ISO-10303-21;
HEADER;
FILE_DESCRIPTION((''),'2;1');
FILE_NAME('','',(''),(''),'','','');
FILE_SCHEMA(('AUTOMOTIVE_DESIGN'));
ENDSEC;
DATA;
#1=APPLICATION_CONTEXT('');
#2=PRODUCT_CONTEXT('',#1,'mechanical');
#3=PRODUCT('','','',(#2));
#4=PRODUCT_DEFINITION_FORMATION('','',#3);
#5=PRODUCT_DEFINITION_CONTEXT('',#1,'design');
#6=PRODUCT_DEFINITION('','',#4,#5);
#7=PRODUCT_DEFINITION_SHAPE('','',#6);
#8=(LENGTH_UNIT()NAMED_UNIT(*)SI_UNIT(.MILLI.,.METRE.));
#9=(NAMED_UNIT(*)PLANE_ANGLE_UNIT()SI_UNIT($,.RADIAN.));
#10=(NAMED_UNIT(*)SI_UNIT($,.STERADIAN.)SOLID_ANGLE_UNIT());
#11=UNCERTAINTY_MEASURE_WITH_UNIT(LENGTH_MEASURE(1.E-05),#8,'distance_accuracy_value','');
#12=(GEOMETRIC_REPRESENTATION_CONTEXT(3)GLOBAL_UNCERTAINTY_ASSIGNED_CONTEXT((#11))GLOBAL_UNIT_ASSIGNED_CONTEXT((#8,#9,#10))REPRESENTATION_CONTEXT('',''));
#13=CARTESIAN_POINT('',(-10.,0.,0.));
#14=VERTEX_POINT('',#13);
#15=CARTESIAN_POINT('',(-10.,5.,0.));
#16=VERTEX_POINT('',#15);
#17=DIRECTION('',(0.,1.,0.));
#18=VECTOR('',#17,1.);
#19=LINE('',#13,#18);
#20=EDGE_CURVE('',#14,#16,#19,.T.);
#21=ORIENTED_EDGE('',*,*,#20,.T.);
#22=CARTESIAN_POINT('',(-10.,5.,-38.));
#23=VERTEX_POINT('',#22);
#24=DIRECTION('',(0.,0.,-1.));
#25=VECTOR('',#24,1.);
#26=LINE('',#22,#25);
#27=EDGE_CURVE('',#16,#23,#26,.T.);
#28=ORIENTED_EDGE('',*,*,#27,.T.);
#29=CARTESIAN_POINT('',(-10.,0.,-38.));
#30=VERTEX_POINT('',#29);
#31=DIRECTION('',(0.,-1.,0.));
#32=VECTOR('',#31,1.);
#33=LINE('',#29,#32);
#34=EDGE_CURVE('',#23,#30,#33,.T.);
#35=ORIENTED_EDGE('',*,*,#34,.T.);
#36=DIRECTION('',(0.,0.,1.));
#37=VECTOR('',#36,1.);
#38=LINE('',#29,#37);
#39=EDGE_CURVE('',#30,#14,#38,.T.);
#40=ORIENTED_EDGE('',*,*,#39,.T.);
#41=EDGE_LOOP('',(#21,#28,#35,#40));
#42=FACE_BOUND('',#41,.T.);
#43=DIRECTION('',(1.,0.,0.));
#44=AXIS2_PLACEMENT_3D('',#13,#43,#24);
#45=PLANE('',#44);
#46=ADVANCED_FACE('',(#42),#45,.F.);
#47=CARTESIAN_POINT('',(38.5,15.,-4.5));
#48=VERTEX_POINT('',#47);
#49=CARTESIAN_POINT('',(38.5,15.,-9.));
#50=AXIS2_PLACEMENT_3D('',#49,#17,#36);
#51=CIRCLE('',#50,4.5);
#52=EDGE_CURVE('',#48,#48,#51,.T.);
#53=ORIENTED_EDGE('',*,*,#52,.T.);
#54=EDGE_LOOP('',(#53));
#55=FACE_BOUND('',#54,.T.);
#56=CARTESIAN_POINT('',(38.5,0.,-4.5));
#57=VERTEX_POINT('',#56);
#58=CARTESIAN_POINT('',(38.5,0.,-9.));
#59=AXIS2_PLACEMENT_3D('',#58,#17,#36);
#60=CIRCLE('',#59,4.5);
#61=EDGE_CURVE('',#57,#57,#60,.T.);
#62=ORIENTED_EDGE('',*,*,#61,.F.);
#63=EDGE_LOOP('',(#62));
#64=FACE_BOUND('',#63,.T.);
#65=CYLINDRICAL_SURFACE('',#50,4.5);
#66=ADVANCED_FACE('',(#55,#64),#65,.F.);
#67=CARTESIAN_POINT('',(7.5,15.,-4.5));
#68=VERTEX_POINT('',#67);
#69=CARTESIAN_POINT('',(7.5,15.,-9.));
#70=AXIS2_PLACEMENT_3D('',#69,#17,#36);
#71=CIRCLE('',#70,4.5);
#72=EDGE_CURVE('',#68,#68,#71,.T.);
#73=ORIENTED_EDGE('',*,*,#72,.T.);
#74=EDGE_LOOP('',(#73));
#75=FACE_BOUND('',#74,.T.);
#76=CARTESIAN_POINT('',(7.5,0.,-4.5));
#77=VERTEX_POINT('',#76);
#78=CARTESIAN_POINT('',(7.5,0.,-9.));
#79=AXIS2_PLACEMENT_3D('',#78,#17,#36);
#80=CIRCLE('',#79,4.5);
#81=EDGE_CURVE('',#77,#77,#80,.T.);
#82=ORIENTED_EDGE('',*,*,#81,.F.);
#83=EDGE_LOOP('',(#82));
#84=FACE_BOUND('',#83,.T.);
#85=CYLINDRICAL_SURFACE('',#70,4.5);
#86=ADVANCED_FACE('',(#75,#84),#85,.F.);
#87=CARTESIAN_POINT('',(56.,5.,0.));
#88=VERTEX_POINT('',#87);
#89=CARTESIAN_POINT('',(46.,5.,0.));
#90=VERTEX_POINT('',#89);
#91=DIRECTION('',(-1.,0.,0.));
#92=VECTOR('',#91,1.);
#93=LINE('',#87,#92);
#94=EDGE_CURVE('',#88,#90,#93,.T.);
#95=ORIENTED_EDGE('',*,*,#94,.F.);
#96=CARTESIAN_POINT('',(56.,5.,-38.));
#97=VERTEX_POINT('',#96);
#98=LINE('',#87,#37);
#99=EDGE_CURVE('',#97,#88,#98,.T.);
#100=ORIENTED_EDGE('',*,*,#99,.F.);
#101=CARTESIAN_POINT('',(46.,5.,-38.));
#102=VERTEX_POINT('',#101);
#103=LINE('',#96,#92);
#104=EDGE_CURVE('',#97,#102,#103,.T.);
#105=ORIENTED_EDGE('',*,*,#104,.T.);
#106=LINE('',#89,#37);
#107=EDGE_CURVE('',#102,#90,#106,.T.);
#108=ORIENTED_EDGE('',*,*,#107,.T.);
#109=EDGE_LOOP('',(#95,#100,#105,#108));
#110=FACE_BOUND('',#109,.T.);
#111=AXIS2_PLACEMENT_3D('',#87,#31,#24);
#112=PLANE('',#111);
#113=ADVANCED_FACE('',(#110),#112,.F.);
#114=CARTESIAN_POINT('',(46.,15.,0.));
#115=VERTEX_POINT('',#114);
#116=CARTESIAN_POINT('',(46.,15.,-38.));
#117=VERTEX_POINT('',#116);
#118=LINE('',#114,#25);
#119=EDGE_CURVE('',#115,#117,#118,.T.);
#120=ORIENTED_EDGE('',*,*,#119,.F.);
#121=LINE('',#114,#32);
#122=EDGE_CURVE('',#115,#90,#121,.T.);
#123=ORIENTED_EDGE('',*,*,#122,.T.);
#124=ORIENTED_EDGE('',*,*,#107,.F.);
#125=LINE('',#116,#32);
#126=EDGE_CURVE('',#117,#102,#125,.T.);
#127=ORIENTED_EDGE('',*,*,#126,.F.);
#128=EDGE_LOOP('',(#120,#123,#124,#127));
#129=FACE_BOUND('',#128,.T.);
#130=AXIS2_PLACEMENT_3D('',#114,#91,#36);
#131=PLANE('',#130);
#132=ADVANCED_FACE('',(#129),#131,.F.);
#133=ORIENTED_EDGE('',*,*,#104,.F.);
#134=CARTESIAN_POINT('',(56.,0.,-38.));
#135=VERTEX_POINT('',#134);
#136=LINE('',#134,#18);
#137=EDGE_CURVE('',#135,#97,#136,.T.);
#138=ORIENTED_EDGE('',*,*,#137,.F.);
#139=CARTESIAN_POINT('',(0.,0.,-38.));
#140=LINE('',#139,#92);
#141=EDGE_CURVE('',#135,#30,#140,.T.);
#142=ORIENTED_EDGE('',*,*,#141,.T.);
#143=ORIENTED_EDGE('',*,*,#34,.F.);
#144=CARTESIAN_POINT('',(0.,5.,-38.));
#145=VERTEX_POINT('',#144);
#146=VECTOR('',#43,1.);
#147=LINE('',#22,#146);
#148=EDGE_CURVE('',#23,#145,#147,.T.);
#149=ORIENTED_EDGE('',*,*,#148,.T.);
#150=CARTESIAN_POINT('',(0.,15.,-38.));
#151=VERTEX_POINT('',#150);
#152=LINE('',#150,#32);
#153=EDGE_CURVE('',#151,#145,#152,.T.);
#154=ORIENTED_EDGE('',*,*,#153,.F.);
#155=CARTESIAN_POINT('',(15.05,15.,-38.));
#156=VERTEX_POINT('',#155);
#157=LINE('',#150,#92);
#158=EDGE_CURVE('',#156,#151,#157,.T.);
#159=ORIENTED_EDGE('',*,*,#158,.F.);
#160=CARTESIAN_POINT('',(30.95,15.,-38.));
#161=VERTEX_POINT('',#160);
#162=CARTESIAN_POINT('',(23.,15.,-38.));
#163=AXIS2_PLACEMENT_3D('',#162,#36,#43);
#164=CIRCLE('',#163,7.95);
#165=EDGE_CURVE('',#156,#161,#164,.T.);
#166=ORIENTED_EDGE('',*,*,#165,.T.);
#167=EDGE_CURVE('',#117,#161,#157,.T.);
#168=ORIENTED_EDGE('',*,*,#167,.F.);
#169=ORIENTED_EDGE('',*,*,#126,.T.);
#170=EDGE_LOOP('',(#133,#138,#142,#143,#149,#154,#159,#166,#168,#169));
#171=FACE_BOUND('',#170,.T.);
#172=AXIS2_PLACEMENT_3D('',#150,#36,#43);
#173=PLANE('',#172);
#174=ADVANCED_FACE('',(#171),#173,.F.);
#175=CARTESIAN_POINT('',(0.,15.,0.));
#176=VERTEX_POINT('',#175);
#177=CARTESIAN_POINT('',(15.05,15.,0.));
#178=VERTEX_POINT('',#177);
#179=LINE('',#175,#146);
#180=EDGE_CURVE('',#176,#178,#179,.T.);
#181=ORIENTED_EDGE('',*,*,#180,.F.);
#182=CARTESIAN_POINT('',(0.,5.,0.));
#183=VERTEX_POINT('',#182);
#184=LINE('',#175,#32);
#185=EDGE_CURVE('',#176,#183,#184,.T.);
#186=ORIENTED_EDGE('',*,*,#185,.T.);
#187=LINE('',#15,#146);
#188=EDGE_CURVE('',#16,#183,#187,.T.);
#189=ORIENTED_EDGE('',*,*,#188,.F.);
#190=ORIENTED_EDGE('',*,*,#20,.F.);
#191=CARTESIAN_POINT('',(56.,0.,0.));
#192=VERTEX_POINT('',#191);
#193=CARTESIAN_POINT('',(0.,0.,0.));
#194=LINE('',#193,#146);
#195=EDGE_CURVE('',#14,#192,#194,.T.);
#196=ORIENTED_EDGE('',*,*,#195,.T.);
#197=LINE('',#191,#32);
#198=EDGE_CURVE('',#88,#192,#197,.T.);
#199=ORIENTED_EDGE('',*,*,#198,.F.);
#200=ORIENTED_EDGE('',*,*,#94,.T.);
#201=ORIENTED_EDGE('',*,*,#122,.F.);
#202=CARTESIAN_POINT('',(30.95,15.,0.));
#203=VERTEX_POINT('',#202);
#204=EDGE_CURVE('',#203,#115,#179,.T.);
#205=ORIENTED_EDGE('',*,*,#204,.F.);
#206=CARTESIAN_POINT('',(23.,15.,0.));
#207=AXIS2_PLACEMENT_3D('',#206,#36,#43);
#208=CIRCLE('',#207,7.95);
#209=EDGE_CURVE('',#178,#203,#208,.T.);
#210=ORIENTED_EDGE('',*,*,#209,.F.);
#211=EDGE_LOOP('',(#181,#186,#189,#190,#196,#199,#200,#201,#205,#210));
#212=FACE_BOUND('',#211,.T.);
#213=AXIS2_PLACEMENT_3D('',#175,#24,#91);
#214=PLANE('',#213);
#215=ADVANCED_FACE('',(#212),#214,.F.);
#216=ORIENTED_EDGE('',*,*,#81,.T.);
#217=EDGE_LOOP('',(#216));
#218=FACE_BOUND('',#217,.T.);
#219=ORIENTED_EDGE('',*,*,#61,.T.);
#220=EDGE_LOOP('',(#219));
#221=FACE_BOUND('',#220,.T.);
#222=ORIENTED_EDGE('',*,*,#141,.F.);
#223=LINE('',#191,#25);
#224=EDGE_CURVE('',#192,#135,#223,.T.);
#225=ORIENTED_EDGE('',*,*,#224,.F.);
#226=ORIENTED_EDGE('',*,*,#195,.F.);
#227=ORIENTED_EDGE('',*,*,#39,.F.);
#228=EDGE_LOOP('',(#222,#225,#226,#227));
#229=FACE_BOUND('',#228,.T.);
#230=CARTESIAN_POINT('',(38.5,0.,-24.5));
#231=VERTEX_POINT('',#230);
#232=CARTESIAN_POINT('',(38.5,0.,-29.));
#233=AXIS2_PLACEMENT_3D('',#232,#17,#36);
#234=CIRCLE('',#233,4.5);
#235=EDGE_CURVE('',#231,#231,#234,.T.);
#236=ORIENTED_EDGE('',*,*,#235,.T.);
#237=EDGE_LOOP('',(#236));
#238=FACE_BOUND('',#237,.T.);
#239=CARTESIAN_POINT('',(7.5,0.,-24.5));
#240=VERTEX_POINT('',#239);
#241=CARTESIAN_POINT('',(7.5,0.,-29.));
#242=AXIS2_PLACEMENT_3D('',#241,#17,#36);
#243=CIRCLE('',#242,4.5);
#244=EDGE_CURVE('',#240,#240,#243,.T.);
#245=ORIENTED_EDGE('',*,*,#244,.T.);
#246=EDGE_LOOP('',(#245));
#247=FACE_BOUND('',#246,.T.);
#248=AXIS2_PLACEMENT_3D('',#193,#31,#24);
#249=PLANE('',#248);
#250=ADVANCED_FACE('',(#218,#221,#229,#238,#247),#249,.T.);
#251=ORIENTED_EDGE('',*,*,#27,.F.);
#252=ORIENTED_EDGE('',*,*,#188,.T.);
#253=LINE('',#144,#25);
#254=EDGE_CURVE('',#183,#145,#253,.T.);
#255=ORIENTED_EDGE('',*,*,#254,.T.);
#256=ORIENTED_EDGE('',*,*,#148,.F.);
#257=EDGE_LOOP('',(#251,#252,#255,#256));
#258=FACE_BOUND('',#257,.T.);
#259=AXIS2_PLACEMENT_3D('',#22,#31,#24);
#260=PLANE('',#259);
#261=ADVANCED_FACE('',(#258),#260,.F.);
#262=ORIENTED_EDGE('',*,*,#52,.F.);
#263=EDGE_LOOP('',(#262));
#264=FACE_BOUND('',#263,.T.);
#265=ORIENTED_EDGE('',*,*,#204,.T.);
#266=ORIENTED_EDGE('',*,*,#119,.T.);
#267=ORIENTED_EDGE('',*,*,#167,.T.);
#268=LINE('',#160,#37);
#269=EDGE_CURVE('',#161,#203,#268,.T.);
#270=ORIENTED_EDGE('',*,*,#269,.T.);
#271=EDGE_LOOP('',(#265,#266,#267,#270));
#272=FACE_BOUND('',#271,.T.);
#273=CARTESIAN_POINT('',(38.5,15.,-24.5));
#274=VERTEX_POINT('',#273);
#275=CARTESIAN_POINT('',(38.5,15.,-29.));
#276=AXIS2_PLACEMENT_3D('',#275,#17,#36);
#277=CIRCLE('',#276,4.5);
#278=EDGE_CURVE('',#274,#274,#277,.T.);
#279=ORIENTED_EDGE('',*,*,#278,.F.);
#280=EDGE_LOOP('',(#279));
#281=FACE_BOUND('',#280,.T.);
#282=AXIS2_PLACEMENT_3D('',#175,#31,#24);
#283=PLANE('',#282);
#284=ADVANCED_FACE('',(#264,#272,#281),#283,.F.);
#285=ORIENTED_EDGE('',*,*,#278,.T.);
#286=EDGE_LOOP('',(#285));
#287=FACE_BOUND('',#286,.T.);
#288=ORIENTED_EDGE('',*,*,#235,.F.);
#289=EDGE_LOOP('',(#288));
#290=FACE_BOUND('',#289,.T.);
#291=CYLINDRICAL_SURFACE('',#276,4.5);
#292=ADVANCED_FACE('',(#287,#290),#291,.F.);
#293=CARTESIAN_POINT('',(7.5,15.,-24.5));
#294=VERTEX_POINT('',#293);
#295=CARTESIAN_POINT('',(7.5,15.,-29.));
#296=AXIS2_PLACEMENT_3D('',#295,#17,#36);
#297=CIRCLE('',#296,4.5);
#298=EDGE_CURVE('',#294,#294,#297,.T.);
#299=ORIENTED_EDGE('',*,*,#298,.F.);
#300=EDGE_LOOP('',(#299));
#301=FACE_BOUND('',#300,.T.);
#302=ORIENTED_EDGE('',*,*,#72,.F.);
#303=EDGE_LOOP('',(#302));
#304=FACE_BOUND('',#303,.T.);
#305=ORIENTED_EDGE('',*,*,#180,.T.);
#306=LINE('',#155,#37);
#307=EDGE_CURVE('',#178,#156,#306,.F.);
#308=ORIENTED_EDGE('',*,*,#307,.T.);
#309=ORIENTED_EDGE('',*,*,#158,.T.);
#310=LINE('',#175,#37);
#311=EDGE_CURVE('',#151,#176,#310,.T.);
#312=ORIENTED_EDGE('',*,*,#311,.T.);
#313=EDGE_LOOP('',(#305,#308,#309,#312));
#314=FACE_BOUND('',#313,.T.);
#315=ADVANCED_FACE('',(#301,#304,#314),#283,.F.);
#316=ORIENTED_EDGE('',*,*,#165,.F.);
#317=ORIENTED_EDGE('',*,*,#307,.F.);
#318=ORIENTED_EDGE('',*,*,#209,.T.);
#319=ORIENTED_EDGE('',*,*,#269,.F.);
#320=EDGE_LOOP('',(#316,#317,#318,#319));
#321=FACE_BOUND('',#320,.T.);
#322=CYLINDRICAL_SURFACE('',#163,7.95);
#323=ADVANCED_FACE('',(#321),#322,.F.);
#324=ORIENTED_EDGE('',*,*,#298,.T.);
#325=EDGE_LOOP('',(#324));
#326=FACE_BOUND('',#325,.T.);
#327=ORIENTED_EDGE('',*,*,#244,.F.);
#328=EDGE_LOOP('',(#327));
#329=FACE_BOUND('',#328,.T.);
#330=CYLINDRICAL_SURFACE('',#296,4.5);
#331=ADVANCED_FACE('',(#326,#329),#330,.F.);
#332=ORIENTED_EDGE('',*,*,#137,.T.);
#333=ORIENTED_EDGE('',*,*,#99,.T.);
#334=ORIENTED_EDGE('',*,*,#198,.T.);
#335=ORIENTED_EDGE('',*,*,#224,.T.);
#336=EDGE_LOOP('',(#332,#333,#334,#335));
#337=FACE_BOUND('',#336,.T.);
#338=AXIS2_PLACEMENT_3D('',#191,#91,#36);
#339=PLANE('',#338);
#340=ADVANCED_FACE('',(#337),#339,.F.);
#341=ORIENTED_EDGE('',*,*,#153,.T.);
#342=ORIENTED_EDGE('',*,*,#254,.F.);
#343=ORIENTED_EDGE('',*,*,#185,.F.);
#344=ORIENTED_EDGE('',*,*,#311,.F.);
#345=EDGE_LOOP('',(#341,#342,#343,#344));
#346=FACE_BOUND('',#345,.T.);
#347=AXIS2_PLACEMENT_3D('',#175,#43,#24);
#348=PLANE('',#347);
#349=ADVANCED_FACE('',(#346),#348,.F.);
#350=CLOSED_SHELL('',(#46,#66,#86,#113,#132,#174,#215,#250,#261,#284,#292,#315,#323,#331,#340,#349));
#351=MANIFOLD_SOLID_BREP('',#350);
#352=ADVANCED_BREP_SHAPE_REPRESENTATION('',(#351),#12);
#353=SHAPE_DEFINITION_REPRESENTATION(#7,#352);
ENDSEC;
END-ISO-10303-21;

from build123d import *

# Parameters (mm, degrees)
SKETCH1_W              = 46
SKETCH1_H              = 38
BOSS_EXTRUDE1_DEPTH    = 15
M10X1_0_TAPPED_HOLE1_D = 9
SKETCH7_R              = 7.95
CUT_EXTRUDE1_DEPTH     = 62.522353661
SKETCH17_W             = 38
SKETCH17_H             = 5
BOSS_EXTRUDE2_DEPTH    = 10
SKETCH18_W             = 38
SKETCH18_H             = 5
BOSS_EXTRUDE3_DEPTH    = 10


with BuildPart() as part:
    # Sketch1 → Boss-Extrude1 (new body)
    with BuildSketch(Plane(origin=(0, 0, 0), x_dir=(1, 0, 0), z_dir=(0, 1, 0))):
        with Locations((23, 19)):
            Rectangle(SKETCH1_W, SKETCH1_H)
    extrude(amount=BOSS_EXTRUDE1_DEPTH)

    # M10x1.0 Tapped Hole1 (through all)
    with Locations(Plane(origin=(0, 15, 0), x_dir=(1, 0, 0), z_dir=(0, 1, 0))):
        with Locations((7.5, 29), (38.5, 29), (38.5, 9), (7.5, 9)):
            Hole(M10X1_0_TAPPED_HOLE1_D / 2)

    # Sketch7 → Cut-Extrude1 (cut, through all)
    with BuildSketch(Plane.XY):
        with Locations((23, 15)):
            Circle(SKETCH7_R)
    extrude(amount=-CUT_EXTRUDE1_DEPTH, mode=Mode.SUBTRACT)

    # Sketch17 → Boss-Extrude2 (add)
    with BuildSketch(Plane(origin=(46, 0, 0), x_dir=(0, 0, -1), z_dir=(1, 0, 0))):
        with Locations((19, 2.5)):
            Rectangle(SKETCH17_W, SKETCH17_H)
    extrude(amount=BOSS_EXTRUDE2_DEPTH)

    # Sketch18 → Boss-Extrude3 (add)
    with BuildSketch(Plane.ZY):
        with Locations((-19, 2.5)):
            Rectangle(SKETCH18_W, SKETCH18_H)
    extrude(amount=BOSS_EXTRUDE3_DEPTH)


solid = part.part
